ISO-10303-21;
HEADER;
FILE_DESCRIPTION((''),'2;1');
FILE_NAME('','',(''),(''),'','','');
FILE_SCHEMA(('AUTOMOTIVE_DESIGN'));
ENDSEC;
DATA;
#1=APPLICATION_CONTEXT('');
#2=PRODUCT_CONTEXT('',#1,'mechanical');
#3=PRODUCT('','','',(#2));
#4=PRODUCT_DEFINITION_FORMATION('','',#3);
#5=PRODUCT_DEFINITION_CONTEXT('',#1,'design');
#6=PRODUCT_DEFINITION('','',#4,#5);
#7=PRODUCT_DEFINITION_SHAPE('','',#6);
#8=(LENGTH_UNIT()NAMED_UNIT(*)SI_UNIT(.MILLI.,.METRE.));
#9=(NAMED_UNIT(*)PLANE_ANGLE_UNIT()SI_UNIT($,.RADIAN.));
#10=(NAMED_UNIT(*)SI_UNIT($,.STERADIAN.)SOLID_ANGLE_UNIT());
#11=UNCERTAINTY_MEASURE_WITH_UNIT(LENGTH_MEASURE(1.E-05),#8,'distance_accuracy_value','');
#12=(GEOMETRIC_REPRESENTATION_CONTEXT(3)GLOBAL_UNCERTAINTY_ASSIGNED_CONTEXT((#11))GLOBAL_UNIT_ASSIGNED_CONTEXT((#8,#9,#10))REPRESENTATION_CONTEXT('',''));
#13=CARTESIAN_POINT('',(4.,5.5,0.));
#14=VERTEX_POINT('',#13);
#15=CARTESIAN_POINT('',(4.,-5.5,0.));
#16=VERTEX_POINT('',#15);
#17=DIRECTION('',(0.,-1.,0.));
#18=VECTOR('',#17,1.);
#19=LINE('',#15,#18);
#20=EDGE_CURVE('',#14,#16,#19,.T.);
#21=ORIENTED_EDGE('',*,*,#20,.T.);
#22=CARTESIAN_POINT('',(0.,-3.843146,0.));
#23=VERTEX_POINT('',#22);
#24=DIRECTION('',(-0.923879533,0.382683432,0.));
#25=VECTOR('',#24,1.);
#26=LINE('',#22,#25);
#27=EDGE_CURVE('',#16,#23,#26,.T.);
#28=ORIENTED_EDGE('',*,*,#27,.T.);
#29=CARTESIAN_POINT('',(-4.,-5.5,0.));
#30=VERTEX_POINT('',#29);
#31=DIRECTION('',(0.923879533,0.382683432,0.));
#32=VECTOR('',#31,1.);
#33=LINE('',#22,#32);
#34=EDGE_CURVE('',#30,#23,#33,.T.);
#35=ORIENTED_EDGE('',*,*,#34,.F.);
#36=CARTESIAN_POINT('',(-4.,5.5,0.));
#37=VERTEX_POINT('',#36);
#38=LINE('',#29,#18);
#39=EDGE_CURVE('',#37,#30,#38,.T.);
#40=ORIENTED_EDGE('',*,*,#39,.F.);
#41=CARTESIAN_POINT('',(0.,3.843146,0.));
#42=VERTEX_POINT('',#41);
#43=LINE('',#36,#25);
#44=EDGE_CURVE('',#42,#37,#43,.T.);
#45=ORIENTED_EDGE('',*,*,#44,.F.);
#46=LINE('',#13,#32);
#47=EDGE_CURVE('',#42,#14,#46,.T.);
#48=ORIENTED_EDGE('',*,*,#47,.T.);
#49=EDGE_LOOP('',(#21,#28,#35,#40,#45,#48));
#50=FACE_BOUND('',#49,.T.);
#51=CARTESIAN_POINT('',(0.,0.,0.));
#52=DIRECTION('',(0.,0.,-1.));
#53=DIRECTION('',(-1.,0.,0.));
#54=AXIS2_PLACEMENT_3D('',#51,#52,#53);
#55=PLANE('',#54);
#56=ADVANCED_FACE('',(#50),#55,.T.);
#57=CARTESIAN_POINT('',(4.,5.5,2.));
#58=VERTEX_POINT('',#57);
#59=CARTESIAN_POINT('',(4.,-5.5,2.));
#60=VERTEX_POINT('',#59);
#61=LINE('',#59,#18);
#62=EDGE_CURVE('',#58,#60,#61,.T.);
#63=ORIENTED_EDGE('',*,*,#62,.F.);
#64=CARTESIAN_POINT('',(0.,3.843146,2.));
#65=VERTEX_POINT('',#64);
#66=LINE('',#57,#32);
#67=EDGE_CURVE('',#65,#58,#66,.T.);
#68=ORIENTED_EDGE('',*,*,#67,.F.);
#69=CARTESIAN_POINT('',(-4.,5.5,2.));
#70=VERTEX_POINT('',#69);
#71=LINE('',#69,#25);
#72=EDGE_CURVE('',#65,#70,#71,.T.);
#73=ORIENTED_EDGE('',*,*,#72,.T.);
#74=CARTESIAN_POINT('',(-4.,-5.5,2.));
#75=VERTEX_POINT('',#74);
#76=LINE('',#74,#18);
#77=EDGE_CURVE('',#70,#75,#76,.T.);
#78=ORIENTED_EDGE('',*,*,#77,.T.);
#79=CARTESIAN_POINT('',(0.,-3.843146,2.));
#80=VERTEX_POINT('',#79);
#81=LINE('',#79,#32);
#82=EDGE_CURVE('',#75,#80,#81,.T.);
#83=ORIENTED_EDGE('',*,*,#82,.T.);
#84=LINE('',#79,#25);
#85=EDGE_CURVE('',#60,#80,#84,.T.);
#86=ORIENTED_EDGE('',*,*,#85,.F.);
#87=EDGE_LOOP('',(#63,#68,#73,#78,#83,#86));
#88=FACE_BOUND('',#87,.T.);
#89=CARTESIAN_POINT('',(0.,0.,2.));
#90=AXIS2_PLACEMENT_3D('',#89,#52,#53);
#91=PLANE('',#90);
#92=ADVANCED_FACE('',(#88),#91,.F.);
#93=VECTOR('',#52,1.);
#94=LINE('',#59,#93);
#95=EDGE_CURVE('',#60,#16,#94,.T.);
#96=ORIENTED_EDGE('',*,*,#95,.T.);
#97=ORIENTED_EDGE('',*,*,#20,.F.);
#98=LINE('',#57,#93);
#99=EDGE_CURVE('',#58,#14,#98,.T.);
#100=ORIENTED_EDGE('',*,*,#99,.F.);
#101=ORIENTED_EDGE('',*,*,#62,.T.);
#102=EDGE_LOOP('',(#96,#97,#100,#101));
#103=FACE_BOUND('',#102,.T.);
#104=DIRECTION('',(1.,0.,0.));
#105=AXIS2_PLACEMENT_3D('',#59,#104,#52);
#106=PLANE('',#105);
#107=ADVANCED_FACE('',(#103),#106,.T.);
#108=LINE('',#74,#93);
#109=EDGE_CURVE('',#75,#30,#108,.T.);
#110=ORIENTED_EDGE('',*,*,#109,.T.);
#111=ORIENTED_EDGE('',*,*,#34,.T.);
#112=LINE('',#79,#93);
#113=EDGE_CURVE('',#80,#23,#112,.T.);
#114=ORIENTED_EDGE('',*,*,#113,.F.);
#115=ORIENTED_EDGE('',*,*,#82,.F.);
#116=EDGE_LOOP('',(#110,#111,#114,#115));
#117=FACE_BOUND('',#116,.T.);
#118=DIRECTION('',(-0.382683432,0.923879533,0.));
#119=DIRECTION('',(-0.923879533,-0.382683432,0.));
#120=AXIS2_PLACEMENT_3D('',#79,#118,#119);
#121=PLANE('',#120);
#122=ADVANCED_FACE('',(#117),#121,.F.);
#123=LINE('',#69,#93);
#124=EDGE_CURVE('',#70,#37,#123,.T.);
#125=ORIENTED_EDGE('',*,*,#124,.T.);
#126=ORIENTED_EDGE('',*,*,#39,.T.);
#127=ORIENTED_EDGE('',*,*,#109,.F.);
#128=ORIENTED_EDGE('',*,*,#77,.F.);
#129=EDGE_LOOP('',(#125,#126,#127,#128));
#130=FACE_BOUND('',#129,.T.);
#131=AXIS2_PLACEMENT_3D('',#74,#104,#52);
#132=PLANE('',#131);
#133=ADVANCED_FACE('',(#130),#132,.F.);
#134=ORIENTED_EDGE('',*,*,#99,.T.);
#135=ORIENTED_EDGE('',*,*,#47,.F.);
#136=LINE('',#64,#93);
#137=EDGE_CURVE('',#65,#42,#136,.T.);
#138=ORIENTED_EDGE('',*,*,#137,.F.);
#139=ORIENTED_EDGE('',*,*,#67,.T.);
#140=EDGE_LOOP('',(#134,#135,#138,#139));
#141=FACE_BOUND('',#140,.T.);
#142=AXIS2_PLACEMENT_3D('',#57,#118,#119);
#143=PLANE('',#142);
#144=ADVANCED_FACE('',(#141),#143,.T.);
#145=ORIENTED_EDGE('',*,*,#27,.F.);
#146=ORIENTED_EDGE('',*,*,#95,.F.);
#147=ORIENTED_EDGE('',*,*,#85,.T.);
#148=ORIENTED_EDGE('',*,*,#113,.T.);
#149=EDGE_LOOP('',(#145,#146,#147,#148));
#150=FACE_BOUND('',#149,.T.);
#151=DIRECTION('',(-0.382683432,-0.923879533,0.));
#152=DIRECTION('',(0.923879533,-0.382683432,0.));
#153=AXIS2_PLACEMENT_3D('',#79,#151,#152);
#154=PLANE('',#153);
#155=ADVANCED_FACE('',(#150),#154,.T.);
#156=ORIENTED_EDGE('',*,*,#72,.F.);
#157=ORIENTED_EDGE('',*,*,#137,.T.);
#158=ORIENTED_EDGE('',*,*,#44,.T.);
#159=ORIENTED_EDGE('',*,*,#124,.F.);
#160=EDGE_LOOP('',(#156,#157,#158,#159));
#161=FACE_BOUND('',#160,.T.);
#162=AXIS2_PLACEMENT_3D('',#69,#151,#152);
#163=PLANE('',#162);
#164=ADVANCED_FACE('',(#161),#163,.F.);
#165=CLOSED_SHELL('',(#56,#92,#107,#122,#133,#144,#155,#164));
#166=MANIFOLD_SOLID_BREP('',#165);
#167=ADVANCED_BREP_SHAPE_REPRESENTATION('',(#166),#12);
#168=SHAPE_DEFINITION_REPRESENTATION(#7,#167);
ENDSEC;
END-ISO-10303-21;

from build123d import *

# Parameters (mm, degrees)
AUFSATZ_LINEAR_AUSTRAGEN1_DEPTH = 2


with BuildPart() as part:
    # Skizze1 → Aufsatz-Linear austragen1 (new body)
    with BuildSketch(Plane(origin=(0, 0, 0), x_dir=(0, 1, 0), z_dir=(0, 0, 1))):
        Polygon((-5.5, 4), (5.5, 4), (3.843145751, 0), (-3.843145751, 0), align=None)
    aufsatz_linear_austragen1 = extrude(amount=AUFSATZ_LINEAR_AUSTRAGEN1_DEPTH)

    # Spiegeln1: Aufsatz-Linear austragen1 across plane
    add(aufsatz_linear_austragen1.mirror(Plane(origin=(0, 3.843145751, 2), x_dir=(0, 0, 1), z_dir=(-1, 0, 0))))


solid = part.part
